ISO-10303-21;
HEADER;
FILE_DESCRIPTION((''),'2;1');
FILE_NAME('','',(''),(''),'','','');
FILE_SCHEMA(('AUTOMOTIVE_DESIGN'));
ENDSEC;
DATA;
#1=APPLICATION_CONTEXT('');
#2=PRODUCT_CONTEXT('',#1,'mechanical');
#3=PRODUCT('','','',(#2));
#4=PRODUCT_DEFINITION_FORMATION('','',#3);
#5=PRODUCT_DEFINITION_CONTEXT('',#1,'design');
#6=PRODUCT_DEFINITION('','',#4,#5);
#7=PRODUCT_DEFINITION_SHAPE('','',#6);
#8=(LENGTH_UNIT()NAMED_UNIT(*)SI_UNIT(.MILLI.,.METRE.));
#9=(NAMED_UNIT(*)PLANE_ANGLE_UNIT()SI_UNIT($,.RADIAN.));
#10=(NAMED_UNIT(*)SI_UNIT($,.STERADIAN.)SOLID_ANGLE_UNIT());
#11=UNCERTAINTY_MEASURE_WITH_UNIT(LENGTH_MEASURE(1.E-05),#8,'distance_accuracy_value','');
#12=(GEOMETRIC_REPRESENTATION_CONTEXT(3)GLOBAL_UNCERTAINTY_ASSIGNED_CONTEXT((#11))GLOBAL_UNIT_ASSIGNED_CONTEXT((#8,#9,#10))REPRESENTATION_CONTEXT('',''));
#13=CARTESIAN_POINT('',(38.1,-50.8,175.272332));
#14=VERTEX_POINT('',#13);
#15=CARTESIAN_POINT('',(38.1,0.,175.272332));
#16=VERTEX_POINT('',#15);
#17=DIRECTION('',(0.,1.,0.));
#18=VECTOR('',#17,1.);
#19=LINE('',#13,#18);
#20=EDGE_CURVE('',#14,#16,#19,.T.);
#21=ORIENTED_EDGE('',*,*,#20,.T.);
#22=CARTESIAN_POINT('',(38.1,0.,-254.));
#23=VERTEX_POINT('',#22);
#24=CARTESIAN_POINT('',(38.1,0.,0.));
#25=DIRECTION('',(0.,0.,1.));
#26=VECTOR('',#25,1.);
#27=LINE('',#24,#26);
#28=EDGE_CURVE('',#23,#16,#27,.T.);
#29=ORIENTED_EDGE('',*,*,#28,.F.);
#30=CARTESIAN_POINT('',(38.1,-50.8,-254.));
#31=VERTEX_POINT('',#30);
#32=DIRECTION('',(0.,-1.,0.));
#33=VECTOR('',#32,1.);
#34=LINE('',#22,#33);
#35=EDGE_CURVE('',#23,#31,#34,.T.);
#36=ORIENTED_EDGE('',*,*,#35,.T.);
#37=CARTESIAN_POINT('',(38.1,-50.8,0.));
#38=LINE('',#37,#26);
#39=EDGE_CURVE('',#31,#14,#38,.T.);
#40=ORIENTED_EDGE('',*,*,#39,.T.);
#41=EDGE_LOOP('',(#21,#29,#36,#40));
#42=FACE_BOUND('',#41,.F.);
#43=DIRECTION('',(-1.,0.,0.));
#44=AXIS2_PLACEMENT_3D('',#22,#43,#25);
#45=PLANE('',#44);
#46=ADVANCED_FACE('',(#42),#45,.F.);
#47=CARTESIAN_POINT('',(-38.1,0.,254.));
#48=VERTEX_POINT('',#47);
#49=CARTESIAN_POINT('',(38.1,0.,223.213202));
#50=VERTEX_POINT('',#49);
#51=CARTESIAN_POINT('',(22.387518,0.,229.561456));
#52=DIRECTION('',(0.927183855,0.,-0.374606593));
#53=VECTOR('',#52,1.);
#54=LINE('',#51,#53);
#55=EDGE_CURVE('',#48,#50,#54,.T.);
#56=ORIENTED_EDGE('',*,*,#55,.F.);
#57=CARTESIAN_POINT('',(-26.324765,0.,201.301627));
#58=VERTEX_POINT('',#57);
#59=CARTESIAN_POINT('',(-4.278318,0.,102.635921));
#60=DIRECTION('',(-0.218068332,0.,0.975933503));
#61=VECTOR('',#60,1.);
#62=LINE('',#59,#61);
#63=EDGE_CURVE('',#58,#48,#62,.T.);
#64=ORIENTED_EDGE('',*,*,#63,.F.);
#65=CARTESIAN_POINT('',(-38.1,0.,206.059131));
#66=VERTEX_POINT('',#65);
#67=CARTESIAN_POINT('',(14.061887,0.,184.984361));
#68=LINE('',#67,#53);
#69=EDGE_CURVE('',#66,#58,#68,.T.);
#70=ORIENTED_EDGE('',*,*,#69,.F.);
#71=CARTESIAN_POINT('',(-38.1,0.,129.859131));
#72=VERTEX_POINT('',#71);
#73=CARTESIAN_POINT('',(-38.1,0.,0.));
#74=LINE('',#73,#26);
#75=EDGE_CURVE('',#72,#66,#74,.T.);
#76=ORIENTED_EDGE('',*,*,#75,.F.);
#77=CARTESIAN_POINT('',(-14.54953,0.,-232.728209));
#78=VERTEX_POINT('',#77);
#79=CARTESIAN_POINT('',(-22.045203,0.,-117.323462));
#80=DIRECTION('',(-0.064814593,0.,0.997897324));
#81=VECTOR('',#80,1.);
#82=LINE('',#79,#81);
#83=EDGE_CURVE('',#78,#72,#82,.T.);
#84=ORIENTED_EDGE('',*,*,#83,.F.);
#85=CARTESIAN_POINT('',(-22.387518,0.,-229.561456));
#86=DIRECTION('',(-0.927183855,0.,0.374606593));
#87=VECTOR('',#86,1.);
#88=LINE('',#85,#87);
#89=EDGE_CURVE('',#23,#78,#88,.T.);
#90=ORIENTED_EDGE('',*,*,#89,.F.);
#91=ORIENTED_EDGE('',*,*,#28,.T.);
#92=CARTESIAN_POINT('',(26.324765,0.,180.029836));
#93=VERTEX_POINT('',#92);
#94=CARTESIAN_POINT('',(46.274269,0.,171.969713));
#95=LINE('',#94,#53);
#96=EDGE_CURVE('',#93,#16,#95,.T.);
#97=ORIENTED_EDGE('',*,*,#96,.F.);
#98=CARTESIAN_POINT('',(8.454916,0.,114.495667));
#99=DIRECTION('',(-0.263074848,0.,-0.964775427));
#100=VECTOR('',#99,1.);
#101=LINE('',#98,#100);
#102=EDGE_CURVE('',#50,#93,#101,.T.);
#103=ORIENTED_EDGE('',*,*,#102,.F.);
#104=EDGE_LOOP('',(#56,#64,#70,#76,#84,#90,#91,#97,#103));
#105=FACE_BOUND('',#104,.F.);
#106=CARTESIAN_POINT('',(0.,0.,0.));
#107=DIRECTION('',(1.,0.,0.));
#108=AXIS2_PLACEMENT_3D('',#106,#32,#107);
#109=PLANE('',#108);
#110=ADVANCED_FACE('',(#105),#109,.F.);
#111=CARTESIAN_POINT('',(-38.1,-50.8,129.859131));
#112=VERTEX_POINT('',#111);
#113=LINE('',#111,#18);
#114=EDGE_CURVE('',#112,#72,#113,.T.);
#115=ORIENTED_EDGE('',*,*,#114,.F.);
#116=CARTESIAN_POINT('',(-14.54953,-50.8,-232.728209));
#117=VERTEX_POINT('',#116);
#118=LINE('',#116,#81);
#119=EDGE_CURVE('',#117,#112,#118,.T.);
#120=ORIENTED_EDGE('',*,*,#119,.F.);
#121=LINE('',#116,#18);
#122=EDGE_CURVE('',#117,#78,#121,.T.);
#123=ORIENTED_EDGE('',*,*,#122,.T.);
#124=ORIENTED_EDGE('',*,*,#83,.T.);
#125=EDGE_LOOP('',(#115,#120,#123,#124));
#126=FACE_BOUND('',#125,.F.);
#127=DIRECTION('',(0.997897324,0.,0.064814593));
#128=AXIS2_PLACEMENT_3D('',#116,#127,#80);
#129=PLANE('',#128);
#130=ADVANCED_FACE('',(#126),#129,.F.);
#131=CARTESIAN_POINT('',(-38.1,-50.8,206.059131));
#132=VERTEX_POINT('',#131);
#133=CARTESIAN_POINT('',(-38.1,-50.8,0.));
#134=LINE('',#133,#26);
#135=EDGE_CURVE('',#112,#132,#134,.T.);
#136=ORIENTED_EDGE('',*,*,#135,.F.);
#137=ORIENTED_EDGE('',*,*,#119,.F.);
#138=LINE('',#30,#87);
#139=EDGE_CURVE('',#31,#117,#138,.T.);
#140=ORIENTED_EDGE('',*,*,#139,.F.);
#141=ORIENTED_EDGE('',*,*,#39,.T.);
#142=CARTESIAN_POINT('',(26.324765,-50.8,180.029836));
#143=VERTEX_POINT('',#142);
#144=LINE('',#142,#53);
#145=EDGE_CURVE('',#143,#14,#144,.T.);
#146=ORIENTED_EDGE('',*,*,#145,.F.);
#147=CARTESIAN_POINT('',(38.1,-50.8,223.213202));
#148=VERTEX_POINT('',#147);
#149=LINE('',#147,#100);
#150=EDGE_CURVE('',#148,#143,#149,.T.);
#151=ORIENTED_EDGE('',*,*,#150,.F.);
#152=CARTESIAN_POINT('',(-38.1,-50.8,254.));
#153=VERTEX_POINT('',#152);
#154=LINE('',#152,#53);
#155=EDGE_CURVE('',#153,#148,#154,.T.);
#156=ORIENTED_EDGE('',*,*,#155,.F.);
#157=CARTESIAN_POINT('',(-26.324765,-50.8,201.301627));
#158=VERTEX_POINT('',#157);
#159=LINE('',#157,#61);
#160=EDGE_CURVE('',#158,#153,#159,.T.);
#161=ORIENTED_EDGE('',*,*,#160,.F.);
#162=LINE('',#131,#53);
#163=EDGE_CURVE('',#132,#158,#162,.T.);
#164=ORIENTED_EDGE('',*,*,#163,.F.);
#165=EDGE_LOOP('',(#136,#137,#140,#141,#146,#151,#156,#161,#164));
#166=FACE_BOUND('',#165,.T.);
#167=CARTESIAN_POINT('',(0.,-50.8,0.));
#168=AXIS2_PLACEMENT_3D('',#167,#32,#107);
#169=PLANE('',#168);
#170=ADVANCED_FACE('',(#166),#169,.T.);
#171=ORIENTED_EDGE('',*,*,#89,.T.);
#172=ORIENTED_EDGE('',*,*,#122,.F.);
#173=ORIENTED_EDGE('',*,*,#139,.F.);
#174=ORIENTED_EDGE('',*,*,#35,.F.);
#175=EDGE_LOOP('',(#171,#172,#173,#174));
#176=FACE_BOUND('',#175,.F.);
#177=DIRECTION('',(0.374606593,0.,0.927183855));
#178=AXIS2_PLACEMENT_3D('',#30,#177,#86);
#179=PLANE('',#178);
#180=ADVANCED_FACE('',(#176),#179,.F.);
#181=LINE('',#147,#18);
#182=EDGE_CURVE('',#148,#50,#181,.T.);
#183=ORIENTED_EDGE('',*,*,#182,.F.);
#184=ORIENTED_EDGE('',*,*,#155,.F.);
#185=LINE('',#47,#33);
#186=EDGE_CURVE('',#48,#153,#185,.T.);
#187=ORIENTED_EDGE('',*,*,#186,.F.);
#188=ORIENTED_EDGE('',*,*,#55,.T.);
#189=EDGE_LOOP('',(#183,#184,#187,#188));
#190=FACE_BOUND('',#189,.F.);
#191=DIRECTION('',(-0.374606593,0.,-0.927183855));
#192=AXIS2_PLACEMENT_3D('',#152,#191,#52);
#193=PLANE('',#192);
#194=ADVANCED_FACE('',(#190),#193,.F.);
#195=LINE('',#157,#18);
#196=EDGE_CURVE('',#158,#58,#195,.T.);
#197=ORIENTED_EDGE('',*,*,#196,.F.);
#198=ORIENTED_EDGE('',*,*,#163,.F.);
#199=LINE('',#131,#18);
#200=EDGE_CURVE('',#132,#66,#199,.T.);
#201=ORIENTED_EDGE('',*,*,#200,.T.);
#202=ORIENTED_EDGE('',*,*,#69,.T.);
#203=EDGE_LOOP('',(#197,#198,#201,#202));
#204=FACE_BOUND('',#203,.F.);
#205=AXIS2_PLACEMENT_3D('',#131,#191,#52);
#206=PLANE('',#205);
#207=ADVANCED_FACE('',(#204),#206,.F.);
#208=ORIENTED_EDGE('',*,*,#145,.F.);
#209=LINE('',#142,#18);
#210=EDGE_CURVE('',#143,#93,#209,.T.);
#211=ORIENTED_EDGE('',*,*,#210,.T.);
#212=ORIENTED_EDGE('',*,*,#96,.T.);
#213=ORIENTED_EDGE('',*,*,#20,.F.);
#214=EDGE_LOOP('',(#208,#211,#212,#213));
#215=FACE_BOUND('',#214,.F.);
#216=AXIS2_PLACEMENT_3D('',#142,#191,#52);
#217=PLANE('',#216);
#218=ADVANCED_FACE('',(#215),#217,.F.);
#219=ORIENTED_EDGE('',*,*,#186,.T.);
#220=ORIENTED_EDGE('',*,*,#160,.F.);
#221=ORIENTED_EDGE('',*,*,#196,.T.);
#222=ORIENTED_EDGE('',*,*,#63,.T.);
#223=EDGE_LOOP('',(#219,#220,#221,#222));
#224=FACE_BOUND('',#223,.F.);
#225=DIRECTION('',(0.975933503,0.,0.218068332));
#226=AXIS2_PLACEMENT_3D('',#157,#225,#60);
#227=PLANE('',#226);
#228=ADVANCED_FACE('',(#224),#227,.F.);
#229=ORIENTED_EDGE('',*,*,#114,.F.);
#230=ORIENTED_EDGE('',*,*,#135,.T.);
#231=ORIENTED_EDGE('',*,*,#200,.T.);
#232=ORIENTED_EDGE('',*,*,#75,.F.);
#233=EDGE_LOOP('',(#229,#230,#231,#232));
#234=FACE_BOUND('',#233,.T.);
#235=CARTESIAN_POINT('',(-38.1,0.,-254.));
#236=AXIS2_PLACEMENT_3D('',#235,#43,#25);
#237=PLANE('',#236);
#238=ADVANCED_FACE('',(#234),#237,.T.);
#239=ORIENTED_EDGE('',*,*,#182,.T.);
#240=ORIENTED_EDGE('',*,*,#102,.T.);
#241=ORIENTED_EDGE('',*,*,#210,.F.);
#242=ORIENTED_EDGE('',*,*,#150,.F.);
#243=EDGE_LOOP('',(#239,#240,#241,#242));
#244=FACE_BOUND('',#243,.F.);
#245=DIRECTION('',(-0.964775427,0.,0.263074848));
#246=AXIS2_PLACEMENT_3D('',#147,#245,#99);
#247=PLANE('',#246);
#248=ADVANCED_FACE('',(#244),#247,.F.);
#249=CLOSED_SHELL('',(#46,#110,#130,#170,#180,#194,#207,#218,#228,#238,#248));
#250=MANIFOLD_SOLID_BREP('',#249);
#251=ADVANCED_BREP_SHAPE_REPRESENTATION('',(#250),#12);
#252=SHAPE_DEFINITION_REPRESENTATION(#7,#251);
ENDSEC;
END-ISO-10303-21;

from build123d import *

# Parameters (mm, degrees)
F0_W     = 76.2
F0_H     = 508
F1_DEPTH = 50.8
F3_DEPTH = 50.801
F5_DEPTH = 50.801
F7_DEPTH = 50.801


with BuildPart() as f1:
    # F0 (on Front) → F1 (new body)
    with BuildSketch(Plane.XZ):
        Rectangle(F0_W, F0_H)
    extrude(amount=F1_DEPTH)

    # F2 (on face) → F3 (cut, through all)
    with BuildSketch(Plane.XZ.offset(50.8)):
        Polygon((38.1, -254), (-38.1, -223.2132015914), (-38.1, -254), align=None)
        Polygon((38.1, 223.2132015914), (38.1, 254), (-38.1, 254), align=None)
    extrude(amount=-F3_DEPTH, mode=Mode.SUBTRACT)

    # F4 (on face) → F5 (cut, through all)
    with BuildSketch(Plane.XZ.offset(50.8)):
        Polygon((-26.324765047, 201.3016269516), (-38.1, 254), (-38.1, 206.059130688), align=None)
        Polygon((38.1, 175.2723322793), (38.1, 223.2132015914), (26.324765047, 180.0298360157), align=None)
    extrude(amount=-F5_DEPTH, mode=Mode.SUBTRACT)

    # F6 (on face) → F7 (cut, through all)
    with BuildSketch(Plane.XZ.offset(50.8)):
        Polygon((-14.549530094, -232.7282090641), (-38.1, 129.859130688), (-38.1, -223.2132015914), align=None)
    extrude(amount=-F7_DEPTH, mode=Mode.SUBTRACT)


solid = f1.part
